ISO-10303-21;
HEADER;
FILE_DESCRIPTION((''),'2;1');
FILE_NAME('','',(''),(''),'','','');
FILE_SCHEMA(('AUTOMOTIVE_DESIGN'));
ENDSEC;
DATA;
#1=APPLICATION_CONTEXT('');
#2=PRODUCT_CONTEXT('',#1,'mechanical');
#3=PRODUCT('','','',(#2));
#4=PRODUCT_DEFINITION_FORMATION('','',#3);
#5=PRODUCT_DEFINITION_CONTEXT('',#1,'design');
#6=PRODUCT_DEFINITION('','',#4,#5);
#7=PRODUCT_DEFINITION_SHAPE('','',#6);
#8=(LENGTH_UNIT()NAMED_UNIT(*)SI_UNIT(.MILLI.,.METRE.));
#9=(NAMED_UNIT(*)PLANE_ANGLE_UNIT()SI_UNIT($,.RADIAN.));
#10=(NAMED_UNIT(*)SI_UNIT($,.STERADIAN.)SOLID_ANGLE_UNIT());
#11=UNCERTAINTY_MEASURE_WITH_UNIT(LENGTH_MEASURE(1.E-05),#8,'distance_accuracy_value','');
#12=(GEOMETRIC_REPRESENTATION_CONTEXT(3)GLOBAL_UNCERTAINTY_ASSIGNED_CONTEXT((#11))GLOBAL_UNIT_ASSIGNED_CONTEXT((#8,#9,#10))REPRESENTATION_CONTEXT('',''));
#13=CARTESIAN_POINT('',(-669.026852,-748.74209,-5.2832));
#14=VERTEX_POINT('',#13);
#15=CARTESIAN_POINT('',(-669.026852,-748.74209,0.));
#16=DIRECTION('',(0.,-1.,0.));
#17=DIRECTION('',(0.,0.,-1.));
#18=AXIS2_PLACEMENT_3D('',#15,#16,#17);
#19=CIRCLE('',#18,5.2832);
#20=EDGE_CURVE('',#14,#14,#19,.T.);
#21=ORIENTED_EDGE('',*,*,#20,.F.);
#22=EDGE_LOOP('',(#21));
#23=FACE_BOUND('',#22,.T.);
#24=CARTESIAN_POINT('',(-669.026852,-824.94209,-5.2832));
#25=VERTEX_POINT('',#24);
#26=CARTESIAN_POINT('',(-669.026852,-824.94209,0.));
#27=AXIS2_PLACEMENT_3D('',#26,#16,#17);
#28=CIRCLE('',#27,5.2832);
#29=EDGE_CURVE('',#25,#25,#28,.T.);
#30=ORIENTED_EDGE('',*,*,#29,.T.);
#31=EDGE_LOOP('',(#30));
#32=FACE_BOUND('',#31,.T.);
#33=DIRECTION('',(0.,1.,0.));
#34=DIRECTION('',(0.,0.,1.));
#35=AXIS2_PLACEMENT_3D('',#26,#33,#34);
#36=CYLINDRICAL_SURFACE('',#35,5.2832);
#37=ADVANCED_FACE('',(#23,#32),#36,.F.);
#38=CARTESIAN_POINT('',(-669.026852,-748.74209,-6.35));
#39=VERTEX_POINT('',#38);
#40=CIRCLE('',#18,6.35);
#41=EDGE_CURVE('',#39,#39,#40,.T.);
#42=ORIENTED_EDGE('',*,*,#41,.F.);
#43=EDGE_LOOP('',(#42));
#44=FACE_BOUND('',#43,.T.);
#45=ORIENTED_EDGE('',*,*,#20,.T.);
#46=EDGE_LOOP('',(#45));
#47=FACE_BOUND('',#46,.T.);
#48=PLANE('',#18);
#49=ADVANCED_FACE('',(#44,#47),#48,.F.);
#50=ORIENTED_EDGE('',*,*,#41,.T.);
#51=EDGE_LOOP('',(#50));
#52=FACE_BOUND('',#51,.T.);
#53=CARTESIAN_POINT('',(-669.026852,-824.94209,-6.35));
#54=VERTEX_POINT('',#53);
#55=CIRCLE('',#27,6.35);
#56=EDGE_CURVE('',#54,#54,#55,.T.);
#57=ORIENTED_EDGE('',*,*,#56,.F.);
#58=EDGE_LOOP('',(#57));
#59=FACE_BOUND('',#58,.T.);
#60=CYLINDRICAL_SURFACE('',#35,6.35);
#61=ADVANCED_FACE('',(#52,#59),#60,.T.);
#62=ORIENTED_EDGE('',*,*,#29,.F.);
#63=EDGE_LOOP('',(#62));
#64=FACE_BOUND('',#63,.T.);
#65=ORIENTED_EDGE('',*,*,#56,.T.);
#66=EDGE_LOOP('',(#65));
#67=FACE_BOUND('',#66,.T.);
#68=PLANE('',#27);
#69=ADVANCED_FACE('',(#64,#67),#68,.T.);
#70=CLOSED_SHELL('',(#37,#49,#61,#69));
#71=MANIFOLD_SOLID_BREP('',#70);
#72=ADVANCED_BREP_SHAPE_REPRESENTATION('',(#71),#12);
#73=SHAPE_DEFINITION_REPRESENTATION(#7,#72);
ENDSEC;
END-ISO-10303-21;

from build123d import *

# Parameters (mm, degrees)
SKETCH1_R               = 6.35
SKETCH1_R_2             = 5.2832
PIPE_0_5_SCH_40_5_DEPTH = 76.2


with BuildPart() as part:
    # Sketch1 → Pipe 0.5 SCH 40(5) (new body)
    with BuildSketch(Plane(origin=(-669.026852299, -748.742089884, 0), x_dir=(1, 0, 0), z_dir=(0, -1, 0))):
        Circle(SKETCH1_R)
        Circle(SKETCH1_R_2, mode=Mode.SUBTRACT)
    extrude(amount=PIPE_0_5_SCH_40_5_DEPTH)


solid = part.part
